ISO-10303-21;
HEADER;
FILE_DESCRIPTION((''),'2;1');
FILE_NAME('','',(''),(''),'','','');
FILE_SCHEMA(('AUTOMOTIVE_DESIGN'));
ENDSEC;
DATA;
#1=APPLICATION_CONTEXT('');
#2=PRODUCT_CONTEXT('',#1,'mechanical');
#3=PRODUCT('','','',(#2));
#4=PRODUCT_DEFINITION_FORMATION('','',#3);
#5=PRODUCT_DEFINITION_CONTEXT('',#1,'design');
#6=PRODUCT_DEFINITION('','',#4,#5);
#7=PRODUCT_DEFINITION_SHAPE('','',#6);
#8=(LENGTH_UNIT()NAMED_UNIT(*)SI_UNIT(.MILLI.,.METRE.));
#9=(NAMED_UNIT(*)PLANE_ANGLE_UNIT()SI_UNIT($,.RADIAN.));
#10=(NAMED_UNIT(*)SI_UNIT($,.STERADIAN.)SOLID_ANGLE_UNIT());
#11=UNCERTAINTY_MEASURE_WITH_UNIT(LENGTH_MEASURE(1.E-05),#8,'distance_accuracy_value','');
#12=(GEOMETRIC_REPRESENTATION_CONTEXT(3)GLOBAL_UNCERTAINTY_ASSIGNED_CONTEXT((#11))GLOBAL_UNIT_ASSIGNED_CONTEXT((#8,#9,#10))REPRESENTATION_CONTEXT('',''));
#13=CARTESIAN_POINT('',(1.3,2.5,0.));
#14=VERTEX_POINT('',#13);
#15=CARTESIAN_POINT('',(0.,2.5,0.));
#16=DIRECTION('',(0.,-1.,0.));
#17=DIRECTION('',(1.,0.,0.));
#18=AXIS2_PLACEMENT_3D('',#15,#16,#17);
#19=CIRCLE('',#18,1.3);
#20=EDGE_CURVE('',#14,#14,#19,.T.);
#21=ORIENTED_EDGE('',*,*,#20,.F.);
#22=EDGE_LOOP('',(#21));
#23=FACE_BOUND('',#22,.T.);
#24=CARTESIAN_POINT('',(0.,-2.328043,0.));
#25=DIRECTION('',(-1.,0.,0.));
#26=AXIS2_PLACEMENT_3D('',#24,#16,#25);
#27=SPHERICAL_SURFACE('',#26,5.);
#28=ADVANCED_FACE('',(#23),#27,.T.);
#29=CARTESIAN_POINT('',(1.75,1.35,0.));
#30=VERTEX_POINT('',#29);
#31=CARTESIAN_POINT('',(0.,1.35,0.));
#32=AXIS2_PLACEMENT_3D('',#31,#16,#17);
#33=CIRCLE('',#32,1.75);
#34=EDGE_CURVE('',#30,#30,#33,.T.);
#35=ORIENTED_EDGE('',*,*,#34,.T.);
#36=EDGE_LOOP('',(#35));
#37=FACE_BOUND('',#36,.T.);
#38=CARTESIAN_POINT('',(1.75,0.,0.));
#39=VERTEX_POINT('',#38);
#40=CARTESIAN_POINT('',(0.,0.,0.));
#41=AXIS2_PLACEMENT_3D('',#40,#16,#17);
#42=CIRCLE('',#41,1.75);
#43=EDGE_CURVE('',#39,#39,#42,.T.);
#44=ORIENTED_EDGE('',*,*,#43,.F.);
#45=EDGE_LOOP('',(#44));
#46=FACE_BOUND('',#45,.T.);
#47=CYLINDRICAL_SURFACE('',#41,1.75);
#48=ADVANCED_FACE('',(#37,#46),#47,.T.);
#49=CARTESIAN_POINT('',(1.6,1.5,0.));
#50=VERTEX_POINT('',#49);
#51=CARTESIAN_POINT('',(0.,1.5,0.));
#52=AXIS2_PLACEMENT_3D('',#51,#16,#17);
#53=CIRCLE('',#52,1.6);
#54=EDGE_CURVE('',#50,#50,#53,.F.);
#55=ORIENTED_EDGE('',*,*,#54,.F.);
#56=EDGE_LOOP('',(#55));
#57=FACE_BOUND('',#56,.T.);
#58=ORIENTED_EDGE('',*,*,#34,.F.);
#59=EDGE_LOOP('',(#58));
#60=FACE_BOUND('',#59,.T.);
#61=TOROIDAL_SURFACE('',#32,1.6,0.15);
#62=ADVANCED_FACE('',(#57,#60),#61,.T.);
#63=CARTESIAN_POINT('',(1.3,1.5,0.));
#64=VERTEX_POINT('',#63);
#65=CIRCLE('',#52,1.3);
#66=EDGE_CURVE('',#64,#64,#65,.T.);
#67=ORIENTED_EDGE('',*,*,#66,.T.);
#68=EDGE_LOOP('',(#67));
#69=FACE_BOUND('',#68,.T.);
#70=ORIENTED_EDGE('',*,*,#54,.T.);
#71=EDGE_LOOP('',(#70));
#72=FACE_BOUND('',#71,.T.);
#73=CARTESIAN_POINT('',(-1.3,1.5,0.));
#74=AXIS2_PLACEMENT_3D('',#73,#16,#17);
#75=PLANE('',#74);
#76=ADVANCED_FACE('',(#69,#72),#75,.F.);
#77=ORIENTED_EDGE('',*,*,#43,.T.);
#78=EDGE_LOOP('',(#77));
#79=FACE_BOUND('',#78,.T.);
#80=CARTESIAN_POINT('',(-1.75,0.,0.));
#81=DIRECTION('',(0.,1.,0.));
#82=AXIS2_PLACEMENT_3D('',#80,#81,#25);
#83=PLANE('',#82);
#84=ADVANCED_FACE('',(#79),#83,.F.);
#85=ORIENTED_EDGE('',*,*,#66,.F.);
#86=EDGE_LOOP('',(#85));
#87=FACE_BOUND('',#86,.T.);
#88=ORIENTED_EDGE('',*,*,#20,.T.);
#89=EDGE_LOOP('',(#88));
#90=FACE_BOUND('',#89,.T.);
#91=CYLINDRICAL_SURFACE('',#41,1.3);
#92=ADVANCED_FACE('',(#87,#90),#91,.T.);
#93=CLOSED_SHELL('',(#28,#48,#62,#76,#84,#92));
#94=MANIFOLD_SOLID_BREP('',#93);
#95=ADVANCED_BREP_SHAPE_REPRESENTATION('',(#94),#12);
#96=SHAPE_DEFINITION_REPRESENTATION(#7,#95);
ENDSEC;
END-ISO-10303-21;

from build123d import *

# Parameters (mm, degrees)
FILLET1_R = 0.15


with BuildPart() as part:
    # Sketch1 → Revolve1 (revolve)
    with BuildSketch(Plane.XY, mode=Mode.PRIVATE) as revolve1_sk:
        with BuildLine():
            Line((-1.3, 2.5), (-1.3, 1.5))
            Line((-1.3, 1.5), (-1.75, 1.5))
            Line((-1.75, 1.5), (-1.75, 0))
            Line((-1.75, 0), (0, 0))
            Line((0, 0), (0, 2.671956918))
            ThreePointArc((0, 2.671956918), (-0.655661723, 2.628781275), (-1.3, 2.5))
        make_face()
    revolve(revolve1_sk.sketch.rotate(Axis((0, 0, 0), (0, 1, 0)), 180), axis=Axis((0, 0, 0), (0, 1, 0)))

    # Fillet1
    fillet1_edges = [part.edges().sort_by_distance(p)[0] for p in [
        (-1.75, 1.5, 0),
    ]]
    fillet(fillet1_edges, radius=FILLET1_R)


solid = part.part
